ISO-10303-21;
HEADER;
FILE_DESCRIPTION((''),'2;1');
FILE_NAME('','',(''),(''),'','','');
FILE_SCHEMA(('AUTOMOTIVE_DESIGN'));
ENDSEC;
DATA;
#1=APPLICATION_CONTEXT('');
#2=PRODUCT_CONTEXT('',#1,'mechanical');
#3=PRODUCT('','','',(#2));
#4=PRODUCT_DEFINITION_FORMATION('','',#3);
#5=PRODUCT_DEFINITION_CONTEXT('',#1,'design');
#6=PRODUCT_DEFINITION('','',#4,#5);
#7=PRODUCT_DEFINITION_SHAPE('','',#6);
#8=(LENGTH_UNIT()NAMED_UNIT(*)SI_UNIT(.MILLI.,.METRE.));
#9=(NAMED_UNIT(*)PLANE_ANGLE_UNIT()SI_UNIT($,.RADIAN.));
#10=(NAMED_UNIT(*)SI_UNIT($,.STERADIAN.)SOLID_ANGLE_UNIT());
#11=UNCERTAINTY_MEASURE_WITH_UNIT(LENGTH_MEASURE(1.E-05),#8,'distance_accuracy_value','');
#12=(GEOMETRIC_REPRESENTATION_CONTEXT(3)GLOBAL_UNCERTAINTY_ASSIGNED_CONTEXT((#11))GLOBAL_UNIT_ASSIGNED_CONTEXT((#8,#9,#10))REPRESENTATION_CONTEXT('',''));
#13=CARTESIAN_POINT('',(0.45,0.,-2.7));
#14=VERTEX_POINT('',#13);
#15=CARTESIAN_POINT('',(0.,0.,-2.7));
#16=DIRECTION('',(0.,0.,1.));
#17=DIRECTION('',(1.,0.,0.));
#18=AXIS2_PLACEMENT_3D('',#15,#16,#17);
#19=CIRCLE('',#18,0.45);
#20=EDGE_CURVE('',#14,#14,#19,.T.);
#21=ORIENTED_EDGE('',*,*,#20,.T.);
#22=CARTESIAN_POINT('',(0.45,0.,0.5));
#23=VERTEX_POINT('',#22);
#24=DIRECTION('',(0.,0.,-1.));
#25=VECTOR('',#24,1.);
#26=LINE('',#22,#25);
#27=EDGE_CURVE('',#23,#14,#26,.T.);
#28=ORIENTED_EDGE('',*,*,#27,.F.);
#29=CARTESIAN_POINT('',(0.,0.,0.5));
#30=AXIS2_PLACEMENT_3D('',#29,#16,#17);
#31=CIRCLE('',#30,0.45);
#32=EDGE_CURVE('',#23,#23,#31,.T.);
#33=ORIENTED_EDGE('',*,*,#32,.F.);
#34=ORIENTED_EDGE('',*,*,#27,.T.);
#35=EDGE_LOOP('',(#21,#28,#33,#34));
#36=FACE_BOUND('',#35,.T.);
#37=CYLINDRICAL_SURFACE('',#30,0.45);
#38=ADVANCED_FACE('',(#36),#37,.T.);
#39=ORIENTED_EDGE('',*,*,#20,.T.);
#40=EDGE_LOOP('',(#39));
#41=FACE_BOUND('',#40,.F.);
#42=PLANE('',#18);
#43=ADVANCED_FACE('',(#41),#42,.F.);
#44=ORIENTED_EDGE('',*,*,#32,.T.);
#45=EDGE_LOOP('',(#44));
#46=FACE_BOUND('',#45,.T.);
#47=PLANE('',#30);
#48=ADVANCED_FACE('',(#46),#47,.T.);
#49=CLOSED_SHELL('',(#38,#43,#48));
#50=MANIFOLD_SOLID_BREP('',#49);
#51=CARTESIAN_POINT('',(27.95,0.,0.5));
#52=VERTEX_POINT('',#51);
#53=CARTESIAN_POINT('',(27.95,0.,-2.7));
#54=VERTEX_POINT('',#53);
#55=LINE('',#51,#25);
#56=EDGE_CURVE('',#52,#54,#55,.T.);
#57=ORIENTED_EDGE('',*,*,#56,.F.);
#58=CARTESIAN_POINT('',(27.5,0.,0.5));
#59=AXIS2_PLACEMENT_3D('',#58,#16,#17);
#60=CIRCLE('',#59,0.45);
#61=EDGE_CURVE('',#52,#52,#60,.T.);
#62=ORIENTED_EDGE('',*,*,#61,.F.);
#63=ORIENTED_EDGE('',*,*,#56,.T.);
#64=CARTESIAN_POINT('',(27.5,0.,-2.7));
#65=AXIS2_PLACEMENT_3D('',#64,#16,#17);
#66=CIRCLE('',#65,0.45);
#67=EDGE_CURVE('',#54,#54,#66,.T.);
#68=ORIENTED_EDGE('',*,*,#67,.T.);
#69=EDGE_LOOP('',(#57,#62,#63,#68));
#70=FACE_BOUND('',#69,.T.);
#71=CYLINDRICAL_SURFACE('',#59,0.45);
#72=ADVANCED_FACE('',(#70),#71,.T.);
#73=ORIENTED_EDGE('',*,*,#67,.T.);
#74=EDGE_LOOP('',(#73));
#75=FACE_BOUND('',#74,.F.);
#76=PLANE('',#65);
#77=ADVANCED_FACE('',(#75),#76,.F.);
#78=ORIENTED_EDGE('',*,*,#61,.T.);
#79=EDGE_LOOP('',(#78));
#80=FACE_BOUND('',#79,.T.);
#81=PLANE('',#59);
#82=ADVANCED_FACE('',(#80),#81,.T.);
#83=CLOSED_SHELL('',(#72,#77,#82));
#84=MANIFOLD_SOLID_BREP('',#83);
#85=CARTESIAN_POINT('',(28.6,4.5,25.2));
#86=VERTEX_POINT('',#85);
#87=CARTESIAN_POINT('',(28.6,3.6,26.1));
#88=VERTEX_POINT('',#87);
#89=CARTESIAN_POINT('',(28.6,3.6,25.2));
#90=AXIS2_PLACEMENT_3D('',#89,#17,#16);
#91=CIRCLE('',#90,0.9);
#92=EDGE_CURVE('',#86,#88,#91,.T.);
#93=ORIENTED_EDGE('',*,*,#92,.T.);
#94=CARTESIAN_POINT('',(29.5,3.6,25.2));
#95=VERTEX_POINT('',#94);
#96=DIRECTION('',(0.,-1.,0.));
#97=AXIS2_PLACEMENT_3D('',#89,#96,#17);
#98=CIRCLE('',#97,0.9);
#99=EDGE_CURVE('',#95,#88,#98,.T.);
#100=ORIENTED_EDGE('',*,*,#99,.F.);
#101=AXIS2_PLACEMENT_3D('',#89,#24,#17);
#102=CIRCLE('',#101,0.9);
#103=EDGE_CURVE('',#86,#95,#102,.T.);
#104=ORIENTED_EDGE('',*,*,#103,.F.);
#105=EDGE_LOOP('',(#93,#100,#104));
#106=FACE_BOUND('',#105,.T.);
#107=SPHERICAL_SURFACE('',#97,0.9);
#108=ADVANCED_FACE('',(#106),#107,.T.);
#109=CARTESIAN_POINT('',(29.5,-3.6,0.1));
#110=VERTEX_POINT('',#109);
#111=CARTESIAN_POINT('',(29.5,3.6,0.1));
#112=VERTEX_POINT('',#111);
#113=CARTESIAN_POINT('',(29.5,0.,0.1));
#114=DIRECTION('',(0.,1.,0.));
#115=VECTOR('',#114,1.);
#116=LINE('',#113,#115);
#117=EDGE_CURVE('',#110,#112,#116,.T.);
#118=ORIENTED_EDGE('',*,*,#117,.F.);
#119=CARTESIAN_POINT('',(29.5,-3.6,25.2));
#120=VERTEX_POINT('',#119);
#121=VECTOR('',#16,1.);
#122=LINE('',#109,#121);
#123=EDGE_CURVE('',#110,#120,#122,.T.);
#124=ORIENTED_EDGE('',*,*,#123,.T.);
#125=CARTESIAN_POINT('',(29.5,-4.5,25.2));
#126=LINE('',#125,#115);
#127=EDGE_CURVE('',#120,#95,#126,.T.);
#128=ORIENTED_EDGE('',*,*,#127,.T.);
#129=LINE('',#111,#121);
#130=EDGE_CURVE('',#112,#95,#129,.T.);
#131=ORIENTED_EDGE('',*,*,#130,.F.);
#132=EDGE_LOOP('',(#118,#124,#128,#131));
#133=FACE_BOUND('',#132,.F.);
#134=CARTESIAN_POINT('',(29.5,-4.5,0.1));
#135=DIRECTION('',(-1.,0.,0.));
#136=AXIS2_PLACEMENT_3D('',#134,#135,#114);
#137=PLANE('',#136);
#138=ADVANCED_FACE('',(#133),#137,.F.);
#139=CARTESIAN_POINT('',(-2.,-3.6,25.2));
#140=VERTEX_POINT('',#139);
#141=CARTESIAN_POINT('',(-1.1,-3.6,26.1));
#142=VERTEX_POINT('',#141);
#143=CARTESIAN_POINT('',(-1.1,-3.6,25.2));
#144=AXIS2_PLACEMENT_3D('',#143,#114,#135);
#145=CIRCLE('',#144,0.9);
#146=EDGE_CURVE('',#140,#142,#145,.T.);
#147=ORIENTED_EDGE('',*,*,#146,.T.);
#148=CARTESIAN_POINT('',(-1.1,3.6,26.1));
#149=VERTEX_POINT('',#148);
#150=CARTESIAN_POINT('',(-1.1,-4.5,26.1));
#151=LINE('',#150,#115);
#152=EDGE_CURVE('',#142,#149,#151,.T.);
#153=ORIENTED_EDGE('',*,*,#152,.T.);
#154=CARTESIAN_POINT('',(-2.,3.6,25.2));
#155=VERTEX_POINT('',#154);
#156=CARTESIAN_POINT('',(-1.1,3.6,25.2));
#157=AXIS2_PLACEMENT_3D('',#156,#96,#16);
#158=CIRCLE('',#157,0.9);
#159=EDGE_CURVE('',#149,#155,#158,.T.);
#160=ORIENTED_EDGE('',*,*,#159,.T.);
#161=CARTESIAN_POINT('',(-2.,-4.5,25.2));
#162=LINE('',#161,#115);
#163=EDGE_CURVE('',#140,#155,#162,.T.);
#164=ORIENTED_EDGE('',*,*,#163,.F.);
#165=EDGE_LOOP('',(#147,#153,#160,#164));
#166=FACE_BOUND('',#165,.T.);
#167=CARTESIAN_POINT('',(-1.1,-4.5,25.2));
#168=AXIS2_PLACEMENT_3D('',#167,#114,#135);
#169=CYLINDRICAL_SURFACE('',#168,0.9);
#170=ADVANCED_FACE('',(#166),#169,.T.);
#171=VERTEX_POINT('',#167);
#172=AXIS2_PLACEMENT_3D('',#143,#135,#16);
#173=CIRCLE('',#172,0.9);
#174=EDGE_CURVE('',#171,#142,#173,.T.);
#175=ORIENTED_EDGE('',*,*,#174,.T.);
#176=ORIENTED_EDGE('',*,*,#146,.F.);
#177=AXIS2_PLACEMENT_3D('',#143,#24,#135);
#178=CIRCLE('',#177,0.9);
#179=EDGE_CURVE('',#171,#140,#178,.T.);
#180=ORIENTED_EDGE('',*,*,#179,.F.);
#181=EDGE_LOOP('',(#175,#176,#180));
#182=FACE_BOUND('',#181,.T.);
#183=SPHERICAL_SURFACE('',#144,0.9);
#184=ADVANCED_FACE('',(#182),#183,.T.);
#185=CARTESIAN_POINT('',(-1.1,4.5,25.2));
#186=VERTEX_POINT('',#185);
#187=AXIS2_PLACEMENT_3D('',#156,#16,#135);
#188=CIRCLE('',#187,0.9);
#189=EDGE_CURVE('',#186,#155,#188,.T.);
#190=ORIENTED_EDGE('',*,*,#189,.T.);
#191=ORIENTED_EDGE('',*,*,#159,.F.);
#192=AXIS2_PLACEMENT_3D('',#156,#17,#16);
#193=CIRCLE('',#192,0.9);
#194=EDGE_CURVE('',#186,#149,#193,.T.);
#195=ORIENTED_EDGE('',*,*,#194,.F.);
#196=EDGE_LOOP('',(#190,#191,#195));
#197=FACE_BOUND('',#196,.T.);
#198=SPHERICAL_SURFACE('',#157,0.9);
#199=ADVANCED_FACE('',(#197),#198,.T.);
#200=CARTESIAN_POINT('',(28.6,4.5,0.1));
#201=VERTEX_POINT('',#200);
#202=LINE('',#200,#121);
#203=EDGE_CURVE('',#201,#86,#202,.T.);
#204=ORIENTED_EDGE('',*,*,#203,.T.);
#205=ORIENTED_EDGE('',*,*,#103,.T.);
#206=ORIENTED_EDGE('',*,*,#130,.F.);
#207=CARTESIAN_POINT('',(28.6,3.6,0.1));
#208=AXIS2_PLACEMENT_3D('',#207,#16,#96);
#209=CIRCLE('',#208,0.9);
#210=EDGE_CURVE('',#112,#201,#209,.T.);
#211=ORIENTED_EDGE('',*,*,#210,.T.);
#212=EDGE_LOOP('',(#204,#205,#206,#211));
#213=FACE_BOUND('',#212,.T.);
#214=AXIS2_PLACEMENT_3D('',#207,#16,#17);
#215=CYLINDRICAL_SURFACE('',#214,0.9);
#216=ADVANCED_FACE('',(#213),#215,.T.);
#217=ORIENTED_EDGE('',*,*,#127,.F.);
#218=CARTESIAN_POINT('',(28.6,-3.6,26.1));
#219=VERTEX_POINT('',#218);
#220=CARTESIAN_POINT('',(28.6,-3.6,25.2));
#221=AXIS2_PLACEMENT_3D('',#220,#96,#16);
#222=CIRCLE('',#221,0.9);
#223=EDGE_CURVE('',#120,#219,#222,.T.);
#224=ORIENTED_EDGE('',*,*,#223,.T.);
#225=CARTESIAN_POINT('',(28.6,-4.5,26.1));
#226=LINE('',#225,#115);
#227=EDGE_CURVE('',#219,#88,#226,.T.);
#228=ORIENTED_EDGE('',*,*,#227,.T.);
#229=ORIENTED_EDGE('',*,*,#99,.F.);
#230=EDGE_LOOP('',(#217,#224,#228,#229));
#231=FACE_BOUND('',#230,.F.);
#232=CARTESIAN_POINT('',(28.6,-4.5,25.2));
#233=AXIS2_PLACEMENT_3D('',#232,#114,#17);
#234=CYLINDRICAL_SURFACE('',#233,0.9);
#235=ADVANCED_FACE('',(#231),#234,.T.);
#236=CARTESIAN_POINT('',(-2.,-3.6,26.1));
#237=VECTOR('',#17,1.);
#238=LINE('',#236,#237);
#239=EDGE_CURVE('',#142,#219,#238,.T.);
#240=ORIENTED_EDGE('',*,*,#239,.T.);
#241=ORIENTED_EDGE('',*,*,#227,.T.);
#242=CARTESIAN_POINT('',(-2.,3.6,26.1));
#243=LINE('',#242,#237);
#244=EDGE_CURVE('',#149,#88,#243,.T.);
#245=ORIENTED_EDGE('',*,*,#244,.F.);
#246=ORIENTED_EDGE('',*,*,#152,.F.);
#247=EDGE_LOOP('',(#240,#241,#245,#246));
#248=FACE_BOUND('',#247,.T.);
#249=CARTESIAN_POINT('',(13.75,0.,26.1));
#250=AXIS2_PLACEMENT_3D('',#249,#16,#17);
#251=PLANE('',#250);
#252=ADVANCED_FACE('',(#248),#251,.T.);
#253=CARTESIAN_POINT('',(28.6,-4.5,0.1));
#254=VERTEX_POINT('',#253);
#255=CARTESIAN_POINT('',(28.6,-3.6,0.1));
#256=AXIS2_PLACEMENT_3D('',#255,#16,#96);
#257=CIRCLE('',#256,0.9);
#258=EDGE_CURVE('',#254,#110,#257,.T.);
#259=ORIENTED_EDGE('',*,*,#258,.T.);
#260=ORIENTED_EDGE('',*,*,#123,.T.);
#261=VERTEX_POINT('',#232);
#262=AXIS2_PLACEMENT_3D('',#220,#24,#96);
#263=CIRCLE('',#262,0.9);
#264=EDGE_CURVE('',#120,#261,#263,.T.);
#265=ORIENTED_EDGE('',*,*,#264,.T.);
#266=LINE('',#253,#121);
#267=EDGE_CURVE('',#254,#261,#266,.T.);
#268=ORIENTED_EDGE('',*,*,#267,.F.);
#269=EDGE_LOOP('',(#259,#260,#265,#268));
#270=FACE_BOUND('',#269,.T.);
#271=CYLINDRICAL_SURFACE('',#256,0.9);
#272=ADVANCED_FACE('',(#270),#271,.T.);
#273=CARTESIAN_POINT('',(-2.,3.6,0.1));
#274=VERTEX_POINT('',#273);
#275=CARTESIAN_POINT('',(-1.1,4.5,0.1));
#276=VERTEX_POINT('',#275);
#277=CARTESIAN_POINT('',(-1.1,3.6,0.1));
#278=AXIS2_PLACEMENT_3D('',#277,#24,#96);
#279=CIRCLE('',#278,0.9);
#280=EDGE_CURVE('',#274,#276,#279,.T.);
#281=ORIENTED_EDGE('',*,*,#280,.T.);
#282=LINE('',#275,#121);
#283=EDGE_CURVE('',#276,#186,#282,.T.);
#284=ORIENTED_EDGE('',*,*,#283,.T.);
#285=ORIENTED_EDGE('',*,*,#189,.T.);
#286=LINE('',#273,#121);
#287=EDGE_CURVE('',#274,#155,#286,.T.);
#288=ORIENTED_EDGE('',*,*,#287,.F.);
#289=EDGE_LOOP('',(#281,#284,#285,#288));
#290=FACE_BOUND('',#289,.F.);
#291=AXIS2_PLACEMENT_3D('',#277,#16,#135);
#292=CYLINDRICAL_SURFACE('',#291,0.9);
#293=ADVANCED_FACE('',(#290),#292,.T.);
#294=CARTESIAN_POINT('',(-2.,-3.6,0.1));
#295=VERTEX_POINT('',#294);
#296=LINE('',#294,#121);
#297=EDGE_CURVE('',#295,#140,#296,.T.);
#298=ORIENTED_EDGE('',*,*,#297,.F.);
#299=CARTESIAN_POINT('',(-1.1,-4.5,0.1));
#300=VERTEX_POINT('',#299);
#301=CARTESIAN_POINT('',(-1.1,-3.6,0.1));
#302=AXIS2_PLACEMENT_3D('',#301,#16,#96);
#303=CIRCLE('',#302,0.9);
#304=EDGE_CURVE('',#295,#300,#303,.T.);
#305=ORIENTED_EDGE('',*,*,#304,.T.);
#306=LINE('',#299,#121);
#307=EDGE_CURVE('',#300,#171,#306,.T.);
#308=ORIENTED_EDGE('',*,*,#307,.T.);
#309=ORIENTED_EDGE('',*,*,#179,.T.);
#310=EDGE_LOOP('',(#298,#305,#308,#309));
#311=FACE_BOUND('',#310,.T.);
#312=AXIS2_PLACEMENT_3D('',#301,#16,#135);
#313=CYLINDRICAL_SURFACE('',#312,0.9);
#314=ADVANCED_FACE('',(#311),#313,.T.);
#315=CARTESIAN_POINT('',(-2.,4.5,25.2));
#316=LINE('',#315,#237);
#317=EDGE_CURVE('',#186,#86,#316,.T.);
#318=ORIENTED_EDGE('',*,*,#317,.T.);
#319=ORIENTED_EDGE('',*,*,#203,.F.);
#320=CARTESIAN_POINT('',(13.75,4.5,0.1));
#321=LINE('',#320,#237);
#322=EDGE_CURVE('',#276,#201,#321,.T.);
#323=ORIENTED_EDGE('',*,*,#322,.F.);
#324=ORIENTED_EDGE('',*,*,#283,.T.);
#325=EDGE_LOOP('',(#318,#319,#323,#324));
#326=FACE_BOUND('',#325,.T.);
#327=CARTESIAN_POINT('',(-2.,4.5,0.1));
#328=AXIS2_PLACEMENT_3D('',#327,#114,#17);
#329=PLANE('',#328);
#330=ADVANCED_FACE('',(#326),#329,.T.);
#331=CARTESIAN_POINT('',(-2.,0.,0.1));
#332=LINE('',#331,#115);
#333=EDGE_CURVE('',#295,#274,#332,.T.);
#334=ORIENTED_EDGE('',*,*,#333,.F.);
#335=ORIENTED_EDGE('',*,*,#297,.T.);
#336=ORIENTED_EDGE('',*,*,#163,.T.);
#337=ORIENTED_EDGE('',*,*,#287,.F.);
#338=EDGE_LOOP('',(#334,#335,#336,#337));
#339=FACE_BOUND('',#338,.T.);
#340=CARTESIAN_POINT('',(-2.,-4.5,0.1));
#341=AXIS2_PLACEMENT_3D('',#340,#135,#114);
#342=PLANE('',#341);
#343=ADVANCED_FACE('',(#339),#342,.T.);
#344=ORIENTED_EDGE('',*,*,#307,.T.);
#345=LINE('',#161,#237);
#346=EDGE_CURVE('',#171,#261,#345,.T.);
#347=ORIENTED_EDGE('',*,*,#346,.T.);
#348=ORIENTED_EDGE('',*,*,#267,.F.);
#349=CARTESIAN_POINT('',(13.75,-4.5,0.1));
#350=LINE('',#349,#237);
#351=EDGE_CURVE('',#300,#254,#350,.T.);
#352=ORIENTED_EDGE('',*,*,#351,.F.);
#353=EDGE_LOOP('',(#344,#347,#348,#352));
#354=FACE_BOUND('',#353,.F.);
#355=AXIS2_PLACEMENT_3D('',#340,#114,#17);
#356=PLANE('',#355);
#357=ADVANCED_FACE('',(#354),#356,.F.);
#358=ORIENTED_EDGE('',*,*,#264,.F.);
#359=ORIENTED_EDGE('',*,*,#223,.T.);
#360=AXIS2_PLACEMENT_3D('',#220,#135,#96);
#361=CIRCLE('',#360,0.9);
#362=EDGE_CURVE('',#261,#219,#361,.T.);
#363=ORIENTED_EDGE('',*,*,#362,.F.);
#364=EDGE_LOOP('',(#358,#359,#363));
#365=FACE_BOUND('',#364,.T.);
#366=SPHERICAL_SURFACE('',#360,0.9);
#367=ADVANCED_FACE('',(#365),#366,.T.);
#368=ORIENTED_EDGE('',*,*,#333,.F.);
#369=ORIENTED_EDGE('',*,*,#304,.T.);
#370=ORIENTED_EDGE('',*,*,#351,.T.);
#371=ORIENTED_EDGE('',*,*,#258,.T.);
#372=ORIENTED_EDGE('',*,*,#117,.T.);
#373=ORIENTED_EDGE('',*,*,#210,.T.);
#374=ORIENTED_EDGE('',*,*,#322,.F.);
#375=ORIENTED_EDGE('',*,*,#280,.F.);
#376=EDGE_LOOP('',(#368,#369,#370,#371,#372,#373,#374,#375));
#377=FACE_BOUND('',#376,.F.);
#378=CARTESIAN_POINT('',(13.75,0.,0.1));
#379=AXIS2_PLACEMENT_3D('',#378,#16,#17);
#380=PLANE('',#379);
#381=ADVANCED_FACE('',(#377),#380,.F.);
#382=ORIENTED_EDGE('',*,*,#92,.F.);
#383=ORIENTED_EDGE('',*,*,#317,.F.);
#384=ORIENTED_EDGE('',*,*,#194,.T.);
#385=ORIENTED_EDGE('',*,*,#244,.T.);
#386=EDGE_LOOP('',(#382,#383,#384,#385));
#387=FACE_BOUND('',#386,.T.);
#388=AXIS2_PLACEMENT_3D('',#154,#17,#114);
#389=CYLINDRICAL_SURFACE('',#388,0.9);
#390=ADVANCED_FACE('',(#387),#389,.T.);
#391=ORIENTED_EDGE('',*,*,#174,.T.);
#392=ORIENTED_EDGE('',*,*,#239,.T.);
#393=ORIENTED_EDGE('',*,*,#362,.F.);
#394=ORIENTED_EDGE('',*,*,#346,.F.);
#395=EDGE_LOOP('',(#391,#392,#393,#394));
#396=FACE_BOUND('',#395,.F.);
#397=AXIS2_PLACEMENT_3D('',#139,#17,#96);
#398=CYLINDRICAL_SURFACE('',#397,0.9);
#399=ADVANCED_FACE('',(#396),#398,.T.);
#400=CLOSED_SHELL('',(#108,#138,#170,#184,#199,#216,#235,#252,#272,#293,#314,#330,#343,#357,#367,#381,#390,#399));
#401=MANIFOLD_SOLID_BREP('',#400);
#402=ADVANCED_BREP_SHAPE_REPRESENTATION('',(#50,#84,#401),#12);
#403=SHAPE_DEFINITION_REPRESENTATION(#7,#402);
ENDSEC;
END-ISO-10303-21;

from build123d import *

# Parameters (mm, degrees)
SKETCH_W     = 31.5
SKETCH_H     = 9
PAD_DEPTH    = 26
FILLET_R     = 0.9
SKETCH001_R  = 0.45
PAD001_DEPTH = 3.2


with BuildPart() as fillet_body:
    # Sketch → Pad (new body)
    with BuildSketch(Plane.XY.offset(0.1)):
        with Locations((13.75, 0)):
            Rectangle(SKETCH_W, SKETCH_H)
    extrude(amount=PAD_DEPTH)

    # Fillet
    fillet_edges = [fillet_body.edges().sort_by_distance(p)[0] for p in [
        (-2, 0, 26.1),
        (-2, -4.5, 13.1),
        (13.75, -4.5, 26.1),
        (29.5, -4.5, 13.1),
        (29.5, 0, 26.1),
        (29.5, 4.5, 13.1),
        (13.75, 4.5, 26.1),
        (-2, 4.5, 13.1),
    ]]
    fillet(fillet_edges, radius=FILLET_R)


with BuildPart() as pad001:
    # Sketch001 → Pad001 (new body)
    with BuildSketch(Plane.XY.offset(0.5)):
        Circle(SKETCH001_R)
        with Locations((27.5, 0)):
            Circle(SKETCH001_R)
    extrude(amount=-PAD001_DEPTH)


solid = Compound([fillet_body.part, pad001.part])
